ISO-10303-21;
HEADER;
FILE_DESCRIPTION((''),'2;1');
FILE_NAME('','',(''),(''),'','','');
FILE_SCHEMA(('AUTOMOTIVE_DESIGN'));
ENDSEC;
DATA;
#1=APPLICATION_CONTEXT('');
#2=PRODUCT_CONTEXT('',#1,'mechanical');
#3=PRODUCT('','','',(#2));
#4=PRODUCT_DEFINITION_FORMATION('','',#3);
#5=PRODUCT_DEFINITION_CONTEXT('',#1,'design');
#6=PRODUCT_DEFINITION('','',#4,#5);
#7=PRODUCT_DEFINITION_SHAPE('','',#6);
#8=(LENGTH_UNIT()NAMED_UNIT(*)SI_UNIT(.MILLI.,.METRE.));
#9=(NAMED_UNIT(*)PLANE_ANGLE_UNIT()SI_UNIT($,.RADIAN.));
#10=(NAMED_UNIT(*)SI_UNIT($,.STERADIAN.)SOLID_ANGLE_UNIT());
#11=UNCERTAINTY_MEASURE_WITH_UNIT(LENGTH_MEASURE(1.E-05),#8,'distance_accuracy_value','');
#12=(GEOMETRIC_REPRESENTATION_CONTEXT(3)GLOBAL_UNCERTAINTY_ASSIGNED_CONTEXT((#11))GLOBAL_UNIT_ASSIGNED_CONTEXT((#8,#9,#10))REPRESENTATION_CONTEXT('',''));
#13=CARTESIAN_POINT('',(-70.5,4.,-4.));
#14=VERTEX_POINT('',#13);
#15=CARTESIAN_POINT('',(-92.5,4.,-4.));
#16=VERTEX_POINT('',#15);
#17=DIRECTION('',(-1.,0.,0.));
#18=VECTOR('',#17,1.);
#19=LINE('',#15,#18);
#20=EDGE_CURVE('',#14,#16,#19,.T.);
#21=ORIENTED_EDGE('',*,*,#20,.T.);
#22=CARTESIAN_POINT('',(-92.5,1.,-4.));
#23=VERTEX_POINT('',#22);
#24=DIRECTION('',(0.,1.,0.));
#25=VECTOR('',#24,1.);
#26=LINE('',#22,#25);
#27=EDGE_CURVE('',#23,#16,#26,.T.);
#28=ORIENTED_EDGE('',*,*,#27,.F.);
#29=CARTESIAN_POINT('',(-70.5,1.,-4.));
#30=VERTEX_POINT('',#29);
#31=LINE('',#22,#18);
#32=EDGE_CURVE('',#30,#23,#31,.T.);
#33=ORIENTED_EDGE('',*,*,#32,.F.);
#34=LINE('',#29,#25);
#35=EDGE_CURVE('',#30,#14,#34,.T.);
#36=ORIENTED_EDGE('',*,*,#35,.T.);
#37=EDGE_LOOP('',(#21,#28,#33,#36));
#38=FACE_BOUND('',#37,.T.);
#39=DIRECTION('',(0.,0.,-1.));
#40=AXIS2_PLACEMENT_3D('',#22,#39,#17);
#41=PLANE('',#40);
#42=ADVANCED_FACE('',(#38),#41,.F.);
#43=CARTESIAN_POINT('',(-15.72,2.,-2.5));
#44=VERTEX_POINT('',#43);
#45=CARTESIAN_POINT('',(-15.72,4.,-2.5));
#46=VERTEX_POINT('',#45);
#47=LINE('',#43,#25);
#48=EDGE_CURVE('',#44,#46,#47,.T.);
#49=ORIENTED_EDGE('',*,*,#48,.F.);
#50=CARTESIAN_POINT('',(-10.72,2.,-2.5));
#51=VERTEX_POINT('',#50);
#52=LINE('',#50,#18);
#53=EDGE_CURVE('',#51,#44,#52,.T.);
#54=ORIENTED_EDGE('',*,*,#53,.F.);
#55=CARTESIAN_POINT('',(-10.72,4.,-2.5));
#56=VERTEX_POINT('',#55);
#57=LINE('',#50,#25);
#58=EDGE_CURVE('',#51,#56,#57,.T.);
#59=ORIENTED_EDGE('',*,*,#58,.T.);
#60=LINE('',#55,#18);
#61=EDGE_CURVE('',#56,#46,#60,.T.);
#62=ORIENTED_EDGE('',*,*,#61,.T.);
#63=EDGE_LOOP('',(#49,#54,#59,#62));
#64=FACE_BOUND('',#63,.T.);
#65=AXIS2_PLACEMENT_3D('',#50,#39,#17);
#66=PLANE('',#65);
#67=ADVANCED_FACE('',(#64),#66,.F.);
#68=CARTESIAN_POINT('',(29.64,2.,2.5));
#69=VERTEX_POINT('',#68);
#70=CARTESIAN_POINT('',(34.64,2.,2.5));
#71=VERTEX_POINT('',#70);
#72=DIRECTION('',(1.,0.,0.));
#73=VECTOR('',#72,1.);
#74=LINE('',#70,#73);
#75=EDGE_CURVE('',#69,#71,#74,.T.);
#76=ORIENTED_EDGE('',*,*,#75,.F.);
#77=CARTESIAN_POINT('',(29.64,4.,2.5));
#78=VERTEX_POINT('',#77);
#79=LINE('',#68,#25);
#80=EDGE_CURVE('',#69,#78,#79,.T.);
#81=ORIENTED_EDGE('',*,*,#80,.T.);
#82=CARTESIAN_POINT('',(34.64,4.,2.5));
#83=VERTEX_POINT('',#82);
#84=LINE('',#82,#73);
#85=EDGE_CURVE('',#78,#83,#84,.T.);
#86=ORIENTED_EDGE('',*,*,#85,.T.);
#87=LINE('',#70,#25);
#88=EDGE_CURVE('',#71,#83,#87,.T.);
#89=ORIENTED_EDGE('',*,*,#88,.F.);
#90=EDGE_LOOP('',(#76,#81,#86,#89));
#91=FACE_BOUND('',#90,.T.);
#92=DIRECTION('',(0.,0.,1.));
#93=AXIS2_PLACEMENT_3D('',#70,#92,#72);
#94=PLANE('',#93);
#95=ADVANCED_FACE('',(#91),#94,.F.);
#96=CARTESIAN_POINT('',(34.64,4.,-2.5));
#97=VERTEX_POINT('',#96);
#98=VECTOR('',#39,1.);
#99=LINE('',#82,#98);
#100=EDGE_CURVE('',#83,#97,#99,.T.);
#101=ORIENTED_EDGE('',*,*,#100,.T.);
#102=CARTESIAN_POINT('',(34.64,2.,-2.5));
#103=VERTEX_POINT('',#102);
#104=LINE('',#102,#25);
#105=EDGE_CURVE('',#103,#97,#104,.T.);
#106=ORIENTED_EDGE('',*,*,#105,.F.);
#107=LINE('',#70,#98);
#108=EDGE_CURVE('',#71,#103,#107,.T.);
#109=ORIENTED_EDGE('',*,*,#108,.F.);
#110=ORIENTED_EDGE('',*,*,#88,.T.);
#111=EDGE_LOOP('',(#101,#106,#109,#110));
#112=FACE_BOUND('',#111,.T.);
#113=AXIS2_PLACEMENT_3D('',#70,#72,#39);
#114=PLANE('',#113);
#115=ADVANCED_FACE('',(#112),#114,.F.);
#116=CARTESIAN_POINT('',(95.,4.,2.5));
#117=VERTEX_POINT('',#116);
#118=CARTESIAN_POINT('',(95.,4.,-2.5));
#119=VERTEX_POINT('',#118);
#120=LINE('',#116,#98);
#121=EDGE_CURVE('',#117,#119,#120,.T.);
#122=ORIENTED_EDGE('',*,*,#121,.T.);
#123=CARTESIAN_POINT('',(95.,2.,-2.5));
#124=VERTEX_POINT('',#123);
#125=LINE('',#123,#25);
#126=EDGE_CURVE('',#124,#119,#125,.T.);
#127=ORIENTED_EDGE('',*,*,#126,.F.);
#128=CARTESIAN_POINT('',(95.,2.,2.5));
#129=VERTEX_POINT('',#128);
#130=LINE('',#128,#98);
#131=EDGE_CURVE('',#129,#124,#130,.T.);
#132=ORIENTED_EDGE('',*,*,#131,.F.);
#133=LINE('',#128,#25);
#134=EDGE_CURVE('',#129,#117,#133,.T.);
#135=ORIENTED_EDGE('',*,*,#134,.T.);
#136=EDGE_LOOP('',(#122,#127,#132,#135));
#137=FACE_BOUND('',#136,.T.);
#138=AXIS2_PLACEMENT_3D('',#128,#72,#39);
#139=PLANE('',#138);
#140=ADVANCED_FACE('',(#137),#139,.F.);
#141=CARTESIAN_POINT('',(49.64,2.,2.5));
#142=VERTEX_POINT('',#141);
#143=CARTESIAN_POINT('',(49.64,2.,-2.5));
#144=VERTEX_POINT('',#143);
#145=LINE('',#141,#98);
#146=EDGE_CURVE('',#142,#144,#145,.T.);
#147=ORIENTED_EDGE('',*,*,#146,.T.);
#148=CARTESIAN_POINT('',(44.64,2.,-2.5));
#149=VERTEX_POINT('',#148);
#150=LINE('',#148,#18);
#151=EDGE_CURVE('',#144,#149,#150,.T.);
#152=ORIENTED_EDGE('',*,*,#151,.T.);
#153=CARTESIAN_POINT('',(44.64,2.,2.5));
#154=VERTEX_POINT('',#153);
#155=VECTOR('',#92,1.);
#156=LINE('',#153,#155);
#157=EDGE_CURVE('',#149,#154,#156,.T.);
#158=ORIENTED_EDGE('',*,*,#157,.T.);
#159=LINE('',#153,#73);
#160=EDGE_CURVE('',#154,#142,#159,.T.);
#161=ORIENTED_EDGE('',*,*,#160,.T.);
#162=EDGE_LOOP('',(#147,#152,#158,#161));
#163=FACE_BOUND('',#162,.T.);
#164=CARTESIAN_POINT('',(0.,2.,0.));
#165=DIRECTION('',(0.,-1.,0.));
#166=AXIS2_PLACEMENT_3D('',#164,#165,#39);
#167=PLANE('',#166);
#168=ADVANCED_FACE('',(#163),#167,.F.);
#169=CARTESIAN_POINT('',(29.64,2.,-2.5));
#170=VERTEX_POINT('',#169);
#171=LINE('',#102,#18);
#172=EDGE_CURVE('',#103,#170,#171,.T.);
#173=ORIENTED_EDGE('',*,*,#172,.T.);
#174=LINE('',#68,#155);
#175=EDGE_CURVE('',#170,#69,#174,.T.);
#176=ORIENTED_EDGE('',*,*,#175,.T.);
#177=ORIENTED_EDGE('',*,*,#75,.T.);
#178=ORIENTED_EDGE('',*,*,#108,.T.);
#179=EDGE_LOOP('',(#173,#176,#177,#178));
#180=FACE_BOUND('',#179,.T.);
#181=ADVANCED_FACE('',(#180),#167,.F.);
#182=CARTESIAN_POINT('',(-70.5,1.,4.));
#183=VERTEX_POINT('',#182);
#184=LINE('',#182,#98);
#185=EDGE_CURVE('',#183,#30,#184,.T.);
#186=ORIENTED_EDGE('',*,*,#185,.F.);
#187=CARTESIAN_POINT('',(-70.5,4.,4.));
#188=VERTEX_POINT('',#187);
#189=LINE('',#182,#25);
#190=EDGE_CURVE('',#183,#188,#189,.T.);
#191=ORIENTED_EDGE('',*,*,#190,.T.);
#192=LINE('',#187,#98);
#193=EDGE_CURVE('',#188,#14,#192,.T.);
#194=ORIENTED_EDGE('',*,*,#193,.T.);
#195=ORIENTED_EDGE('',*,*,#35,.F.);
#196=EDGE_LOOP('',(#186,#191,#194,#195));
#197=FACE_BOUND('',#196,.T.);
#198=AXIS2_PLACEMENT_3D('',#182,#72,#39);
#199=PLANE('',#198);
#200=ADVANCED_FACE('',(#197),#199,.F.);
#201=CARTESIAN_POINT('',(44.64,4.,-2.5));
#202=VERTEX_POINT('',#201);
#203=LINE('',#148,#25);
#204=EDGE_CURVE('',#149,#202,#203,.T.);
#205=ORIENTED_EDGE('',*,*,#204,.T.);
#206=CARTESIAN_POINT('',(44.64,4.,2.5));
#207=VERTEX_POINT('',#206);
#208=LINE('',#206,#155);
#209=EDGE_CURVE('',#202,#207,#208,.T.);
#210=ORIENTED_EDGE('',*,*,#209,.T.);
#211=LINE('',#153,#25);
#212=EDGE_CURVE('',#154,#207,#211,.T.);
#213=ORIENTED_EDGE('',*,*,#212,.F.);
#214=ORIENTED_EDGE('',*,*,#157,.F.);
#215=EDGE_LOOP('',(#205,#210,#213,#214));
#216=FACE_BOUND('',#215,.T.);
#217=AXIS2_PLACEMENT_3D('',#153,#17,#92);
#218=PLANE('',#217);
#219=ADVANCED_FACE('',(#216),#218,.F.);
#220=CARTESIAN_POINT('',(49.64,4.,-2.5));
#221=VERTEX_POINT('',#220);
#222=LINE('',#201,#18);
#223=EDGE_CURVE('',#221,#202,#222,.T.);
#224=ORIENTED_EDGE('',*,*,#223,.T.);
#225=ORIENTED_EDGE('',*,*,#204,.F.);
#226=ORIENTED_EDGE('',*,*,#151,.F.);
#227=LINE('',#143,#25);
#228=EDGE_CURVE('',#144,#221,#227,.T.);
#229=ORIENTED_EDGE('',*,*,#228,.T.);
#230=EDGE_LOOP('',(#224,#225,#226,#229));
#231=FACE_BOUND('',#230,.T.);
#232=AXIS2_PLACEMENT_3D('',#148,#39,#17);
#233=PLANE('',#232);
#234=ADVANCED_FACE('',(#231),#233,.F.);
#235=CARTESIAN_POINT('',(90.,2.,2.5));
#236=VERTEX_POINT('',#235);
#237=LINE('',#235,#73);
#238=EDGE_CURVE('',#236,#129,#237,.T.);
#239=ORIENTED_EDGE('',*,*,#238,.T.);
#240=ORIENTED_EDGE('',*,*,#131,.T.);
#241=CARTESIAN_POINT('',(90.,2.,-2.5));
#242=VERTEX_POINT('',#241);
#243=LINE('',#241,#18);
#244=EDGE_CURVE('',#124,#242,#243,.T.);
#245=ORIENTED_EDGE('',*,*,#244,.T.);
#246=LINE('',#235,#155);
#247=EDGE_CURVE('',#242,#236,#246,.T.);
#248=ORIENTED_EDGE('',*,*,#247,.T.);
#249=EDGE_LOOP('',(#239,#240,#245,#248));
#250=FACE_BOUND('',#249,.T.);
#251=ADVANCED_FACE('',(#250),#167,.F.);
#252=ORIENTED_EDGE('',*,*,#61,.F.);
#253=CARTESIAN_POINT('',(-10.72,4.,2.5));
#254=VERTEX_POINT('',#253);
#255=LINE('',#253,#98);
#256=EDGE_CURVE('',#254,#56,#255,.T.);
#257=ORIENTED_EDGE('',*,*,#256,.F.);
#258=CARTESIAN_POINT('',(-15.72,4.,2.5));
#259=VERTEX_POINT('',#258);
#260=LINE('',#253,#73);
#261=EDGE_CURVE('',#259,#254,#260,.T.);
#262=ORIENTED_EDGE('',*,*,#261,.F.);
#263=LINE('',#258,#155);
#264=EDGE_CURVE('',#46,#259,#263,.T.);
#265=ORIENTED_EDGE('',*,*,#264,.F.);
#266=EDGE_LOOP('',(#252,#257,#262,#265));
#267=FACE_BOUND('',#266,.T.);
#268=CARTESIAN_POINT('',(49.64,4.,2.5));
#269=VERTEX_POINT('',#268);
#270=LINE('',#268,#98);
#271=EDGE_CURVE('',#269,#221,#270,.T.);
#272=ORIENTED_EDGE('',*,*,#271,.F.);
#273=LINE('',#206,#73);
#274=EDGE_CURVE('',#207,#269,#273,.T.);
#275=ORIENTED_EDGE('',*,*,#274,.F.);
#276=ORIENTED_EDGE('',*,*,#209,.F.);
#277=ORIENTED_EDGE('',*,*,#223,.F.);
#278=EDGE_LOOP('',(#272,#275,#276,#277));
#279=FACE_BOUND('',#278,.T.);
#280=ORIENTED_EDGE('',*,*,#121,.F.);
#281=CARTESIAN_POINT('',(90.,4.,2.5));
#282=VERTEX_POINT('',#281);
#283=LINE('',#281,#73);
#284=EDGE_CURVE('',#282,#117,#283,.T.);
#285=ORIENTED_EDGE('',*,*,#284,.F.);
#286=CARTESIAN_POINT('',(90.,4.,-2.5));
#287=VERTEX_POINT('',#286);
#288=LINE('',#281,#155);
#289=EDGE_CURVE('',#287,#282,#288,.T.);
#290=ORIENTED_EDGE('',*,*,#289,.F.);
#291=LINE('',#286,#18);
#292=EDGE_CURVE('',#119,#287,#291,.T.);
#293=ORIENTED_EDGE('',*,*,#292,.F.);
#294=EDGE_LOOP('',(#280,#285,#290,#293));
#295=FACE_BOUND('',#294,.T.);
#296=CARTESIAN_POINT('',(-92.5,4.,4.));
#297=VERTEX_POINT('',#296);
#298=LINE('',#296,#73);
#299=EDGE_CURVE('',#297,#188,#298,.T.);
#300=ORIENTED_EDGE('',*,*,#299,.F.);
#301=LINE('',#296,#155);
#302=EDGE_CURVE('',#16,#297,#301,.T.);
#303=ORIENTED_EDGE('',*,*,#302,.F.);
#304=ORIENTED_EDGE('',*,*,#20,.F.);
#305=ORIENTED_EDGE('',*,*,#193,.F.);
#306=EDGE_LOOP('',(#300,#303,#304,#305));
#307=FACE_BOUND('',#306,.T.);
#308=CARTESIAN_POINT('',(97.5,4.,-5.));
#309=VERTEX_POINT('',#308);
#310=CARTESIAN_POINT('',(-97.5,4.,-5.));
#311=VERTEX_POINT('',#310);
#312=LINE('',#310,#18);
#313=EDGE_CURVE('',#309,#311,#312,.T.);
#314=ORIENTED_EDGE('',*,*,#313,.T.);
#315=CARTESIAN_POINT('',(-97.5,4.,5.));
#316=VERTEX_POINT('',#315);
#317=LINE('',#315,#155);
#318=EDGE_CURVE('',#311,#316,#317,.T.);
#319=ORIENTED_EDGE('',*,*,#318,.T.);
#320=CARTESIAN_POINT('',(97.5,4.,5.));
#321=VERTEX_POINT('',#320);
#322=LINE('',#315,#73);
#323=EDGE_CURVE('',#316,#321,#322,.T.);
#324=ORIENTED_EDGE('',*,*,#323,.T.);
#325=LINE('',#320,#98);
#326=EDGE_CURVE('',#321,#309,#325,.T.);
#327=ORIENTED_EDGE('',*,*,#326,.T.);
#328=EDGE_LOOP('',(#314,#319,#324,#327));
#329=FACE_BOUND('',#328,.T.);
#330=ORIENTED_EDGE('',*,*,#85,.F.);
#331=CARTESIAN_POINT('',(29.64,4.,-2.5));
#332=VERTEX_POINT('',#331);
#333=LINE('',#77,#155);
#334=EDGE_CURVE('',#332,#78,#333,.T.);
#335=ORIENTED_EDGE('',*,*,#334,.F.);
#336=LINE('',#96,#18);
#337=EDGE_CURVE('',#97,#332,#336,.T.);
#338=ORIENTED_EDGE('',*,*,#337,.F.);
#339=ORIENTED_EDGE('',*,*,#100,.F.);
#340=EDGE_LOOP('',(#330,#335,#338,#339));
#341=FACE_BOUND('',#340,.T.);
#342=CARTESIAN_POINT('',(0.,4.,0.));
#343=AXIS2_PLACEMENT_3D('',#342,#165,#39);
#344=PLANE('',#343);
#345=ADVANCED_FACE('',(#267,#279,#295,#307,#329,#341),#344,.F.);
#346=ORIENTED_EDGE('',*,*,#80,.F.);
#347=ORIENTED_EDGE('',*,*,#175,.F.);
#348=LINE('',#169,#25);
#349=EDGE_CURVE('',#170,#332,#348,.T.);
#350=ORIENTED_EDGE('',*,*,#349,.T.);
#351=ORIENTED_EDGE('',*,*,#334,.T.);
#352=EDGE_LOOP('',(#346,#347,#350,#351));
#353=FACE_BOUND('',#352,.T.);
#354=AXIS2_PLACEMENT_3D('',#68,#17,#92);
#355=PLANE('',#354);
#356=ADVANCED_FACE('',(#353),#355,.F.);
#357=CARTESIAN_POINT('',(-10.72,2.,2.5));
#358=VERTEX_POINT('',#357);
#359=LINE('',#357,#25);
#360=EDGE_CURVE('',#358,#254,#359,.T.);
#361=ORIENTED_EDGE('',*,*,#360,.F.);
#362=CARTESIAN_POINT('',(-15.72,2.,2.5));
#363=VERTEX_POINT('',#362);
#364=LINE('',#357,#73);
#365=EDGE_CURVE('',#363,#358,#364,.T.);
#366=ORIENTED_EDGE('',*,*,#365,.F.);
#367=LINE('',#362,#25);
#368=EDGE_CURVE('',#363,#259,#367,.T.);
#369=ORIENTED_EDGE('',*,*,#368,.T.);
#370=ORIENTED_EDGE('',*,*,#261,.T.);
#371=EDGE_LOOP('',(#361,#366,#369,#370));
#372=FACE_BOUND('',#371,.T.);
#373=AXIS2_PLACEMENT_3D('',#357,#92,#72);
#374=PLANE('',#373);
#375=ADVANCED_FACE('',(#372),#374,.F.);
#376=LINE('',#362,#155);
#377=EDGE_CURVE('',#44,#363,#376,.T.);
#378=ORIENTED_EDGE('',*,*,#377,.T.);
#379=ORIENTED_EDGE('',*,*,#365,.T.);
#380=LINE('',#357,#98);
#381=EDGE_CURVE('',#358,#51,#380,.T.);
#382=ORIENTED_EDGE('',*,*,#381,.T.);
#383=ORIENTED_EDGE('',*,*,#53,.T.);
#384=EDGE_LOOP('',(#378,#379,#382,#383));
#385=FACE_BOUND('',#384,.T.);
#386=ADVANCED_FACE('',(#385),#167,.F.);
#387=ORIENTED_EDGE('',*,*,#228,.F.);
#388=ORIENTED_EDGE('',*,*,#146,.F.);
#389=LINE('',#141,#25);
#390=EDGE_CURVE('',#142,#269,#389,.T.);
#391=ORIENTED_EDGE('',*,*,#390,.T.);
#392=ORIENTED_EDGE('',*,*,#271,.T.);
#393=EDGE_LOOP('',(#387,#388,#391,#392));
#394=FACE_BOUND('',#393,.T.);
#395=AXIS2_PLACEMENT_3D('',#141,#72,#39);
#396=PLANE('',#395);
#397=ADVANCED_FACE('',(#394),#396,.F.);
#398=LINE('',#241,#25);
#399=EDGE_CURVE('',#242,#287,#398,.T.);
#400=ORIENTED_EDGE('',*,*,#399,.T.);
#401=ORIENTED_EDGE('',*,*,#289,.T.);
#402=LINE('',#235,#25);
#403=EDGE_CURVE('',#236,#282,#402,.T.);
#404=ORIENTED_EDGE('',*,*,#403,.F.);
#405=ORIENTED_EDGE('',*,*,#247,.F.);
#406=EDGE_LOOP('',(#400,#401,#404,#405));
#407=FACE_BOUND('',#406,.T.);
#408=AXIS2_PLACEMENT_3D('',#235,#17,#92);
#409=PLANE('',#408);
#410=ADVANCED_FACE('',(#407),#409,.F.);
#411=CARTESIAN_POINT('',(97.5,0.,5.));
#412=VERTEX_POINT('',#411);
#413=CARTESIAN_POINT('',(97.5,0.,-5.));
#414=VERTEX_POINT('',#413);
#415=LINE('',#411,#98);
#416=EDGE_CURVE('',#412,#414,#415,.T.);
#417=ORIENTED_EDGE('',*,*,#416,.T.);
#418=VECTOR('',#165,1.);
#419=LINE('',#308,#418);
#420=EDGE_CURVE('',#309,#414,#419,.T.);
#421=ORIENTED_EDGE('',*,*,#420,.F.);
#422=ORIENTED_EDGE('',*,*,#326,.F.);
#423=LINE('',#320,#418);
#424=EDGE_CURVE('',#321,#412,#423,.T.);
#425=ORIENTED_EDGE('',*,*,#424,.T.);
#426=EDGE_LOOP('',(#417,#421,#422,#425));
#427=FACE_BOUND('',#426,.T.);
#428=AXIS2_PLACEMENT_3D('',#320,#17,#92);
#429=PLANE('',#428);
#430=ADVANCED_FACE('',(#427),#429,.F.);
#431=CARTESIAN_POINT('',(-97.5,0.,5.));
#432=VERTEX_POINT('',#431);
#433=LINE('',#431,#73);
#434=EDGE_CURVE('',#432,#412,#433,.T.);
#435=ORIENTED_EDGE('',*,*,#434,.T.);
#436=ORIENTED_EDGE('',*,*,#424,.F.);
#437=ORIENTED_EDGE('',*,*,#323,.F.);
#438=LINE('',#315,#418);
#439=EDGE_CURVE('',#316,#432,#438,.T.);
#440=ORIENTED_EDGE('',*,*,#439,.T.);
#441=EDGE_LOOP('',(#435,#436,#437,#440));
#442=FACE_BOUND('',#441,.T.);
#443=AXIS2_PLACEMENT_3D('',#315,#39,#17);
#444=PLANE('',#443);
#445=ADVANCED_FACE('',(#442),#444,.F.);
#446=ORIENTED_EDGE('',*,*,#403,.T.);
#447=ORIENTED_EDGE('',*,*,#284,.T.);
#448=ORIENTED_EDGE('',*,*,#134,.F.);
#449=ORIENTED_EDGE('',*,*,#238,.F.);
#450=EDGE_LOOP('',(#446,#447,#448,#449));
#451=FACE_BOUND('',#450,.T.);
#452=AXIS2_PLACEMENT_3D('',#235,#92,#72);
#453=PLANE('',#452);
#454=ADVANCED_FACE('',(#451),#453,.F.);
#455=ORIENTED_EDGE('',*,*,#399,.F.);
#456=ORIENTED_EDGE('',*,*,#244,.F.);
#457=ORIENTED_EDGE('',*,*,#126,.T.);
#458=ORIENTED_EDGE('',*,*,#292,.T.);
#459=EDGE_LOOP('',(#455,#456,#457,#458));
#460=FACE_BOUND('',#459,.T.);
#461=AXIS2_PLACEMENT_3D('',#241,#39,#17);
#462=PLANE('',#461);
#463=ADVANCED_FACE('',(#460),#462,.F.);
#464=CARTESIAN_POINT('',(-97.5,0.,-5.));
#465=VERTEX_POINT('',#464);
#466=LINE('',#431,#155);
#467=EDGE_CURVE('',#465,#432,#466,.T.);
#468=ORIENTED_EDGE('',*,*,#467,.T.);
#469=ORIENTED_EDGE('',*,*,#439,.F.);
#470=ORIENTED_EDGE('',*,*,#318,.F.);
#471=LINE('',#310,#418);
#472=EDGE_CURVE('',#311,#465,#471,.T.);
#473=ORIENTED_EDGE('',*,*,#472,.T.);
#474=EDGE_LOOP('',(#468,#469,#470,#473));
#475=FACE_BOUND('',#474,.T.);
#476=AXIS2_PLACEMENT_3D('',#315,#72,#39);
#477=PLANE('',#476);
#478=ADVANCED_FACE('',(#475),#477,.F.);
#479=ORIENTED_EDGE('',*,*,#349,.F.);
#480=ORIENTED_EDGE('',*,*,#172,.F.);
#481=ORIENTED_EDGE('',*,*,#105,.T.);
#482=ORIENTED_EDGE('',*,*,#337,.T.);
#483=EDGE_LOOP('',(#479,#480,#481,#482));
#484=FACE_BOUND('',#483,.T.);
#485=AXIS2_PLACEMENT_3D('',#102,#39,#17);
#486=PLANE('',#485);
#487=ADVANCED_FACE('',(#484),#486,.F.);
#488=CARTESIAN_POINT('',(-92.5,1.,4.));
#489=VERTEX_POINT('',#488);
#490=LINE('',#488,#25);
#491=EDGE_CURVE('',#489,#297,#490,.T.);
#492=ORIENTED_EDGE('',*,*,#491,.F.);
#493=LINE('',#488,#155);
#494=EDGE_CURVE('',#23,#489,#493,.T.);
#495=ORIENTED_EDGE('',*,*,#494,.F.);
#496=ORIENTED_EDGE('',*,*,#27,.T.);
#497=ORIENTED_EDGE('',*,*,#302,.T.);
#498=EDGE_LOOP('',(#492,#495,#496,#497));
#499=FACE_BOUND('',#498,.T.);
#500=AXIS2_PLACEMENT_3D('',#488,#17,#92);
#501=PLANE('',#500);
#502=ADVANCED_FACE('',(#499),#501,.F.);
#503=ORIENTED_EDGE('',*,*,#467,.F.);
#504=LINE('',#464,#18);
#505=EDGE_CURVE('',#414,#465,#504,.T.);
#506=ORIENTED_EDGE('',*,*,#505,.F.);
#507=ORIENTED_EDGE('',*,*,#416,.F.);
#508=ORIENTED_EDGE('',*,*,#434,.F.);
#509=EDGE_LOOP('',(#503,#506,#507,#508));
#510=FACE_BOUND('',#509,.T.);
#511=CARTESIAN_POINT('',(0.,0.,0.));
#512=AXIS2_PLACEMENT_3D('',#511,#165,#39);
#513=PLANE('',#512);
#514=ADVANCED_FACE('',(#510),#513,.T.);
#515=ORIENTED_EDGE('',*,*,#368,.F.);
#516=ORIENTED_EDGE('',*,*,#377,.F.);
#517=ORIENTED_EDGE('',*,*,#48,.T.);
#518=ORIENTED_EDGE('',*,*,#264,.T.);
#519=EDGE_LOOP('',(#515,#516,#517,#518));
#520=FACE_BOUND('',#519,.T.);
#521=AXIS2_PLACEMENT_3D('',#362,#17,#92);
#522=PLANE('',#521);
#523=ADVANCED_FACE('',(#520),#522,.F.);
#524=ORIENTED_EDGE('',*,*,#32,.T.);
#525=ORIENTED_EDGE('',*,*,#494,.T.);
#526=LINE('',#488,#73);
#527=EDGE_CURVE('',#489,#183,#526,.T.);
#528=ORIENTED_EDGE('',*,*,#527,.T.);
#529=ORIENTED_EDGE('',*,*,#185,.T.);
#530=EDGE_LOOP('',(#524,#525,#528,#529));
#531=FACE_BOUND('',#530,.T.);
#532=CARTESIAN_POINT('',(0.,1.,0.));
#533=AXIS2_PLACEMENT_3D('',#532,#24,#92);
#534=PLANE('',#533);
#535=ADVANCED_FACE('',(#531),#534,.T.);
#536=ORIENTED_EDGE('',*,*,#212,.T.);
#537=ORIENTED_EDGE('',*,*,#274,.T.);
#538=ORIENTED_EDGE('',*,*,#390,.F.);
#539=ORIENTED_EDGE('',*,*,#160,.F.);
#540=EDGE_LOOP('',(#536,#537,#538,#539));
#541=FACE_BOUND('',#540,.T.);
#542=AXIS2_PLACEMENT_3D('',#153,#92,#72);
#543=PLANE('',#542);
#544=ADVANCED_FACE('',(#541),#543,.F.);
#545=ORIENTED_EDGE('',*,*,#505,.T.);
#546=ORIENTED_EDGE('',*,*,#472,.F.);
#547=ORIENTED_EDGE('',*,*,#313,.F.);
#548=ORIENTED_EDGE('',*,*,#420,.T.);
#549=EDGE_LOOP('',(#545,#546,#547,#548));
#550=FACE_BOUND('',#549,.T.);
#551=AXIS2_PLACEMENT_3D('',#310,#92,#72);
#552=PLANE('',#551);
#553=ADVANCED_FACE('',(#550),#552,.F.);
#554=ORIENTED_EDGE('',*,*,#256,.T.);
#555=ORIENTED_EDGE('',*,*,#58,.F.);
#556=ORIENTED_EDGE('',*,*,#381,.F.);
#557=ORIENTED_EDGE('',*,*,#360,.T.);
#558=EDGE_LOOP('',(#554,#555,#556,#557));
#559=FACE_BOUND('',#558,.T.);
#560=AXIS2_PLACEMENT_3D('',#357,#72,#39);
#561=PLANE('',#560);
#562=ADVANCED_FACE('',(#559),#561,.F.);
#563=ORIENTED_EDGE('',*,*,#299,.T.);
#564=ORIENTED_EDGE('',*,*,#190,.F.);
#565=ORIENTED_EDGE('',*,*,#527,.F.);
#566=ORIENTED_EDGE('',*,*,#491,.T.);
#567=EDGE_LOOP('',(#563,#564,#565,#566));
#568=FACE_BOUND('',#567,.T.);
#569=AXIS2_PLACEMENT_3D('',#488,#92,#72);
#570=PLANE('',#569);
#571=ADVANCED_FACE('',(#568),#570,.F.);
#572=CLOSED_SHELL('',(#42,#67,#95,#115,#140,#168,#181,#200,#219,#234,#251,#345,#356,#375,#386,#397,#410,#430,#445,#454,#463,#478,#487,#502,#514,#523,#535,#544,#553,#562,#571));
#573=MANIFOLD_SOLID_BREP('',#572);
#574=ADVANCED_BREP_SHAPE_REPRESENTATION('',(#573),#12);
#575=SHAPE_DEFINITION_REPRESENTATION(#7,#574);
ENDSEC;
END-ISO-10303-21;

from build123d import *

# Parameters (mm, degrees)
SKETCH_1_W          = 195
SKETCH_1_H          = 10
EXTRUDE_1_DEPTH     = 4
SKETCH_2_W          = 22
SKETCH_2_H          = 8
CUT_EXTRUDE_1_DEPTH = 3
SKETCH_3_W          = 5
SKETCH_3_H          = 5
CUT_EXTRUDE_2_DEPTH = 2


with BuildPart() as part:
    # 草图1 → 凸台-拉伸1 (new body)
    with BuildSketch(Plane(origin=(0, 0, 0), x_dir=(1, 0, 0), z_dir=(0, 1, 0))):
        Rectangle(SKETCH_1_W, SKETCH_1_H)
    extrude(amount=EXTRUDE_1_DEPTH)

    # 草图2 → 切除-拉伸1 (cut)
    with BuildSketch(Plane(origin=(0, 4, 0), x_dir=(1, 0, 0), z_dir=(0, 1, 0))):
        with Locations((-81.5, 0)):
            Rectangle(SKETCH_2_W, SKETCH_2_H)
    extrude(amount=-CUT_EXTRUDE_1_DEPTH, mode=Mode.SUBTRACT)

    # 草图3 → 切除-拉伸2 (cut)
    with BuildSketch(Plane(origin=(0, 4, 0), x_dir=(1, 0, 0), z_dir=(0, 1, 0))):
        with Locations((92.5, 0)):
            Rectangle(SKETCH_3_W, SKETCH_3_H)
        with Locations((47.14, 0)):
            Rectangle(SKETCH_3_W, SKETCH_3_H)
        with Locations((-13.22, 0)):
            Rectangle(SKETCH_3_W, SKETCH_3_H)
        with Locations((32.14, 0)):
            Rectangle(SKETCH_3_W, SKETCH_3_H)
    extrude(amount=-CUT_EXTRUDE_2_DEPTH, mode=Mode.SUBTRACT)


solid = part.part
